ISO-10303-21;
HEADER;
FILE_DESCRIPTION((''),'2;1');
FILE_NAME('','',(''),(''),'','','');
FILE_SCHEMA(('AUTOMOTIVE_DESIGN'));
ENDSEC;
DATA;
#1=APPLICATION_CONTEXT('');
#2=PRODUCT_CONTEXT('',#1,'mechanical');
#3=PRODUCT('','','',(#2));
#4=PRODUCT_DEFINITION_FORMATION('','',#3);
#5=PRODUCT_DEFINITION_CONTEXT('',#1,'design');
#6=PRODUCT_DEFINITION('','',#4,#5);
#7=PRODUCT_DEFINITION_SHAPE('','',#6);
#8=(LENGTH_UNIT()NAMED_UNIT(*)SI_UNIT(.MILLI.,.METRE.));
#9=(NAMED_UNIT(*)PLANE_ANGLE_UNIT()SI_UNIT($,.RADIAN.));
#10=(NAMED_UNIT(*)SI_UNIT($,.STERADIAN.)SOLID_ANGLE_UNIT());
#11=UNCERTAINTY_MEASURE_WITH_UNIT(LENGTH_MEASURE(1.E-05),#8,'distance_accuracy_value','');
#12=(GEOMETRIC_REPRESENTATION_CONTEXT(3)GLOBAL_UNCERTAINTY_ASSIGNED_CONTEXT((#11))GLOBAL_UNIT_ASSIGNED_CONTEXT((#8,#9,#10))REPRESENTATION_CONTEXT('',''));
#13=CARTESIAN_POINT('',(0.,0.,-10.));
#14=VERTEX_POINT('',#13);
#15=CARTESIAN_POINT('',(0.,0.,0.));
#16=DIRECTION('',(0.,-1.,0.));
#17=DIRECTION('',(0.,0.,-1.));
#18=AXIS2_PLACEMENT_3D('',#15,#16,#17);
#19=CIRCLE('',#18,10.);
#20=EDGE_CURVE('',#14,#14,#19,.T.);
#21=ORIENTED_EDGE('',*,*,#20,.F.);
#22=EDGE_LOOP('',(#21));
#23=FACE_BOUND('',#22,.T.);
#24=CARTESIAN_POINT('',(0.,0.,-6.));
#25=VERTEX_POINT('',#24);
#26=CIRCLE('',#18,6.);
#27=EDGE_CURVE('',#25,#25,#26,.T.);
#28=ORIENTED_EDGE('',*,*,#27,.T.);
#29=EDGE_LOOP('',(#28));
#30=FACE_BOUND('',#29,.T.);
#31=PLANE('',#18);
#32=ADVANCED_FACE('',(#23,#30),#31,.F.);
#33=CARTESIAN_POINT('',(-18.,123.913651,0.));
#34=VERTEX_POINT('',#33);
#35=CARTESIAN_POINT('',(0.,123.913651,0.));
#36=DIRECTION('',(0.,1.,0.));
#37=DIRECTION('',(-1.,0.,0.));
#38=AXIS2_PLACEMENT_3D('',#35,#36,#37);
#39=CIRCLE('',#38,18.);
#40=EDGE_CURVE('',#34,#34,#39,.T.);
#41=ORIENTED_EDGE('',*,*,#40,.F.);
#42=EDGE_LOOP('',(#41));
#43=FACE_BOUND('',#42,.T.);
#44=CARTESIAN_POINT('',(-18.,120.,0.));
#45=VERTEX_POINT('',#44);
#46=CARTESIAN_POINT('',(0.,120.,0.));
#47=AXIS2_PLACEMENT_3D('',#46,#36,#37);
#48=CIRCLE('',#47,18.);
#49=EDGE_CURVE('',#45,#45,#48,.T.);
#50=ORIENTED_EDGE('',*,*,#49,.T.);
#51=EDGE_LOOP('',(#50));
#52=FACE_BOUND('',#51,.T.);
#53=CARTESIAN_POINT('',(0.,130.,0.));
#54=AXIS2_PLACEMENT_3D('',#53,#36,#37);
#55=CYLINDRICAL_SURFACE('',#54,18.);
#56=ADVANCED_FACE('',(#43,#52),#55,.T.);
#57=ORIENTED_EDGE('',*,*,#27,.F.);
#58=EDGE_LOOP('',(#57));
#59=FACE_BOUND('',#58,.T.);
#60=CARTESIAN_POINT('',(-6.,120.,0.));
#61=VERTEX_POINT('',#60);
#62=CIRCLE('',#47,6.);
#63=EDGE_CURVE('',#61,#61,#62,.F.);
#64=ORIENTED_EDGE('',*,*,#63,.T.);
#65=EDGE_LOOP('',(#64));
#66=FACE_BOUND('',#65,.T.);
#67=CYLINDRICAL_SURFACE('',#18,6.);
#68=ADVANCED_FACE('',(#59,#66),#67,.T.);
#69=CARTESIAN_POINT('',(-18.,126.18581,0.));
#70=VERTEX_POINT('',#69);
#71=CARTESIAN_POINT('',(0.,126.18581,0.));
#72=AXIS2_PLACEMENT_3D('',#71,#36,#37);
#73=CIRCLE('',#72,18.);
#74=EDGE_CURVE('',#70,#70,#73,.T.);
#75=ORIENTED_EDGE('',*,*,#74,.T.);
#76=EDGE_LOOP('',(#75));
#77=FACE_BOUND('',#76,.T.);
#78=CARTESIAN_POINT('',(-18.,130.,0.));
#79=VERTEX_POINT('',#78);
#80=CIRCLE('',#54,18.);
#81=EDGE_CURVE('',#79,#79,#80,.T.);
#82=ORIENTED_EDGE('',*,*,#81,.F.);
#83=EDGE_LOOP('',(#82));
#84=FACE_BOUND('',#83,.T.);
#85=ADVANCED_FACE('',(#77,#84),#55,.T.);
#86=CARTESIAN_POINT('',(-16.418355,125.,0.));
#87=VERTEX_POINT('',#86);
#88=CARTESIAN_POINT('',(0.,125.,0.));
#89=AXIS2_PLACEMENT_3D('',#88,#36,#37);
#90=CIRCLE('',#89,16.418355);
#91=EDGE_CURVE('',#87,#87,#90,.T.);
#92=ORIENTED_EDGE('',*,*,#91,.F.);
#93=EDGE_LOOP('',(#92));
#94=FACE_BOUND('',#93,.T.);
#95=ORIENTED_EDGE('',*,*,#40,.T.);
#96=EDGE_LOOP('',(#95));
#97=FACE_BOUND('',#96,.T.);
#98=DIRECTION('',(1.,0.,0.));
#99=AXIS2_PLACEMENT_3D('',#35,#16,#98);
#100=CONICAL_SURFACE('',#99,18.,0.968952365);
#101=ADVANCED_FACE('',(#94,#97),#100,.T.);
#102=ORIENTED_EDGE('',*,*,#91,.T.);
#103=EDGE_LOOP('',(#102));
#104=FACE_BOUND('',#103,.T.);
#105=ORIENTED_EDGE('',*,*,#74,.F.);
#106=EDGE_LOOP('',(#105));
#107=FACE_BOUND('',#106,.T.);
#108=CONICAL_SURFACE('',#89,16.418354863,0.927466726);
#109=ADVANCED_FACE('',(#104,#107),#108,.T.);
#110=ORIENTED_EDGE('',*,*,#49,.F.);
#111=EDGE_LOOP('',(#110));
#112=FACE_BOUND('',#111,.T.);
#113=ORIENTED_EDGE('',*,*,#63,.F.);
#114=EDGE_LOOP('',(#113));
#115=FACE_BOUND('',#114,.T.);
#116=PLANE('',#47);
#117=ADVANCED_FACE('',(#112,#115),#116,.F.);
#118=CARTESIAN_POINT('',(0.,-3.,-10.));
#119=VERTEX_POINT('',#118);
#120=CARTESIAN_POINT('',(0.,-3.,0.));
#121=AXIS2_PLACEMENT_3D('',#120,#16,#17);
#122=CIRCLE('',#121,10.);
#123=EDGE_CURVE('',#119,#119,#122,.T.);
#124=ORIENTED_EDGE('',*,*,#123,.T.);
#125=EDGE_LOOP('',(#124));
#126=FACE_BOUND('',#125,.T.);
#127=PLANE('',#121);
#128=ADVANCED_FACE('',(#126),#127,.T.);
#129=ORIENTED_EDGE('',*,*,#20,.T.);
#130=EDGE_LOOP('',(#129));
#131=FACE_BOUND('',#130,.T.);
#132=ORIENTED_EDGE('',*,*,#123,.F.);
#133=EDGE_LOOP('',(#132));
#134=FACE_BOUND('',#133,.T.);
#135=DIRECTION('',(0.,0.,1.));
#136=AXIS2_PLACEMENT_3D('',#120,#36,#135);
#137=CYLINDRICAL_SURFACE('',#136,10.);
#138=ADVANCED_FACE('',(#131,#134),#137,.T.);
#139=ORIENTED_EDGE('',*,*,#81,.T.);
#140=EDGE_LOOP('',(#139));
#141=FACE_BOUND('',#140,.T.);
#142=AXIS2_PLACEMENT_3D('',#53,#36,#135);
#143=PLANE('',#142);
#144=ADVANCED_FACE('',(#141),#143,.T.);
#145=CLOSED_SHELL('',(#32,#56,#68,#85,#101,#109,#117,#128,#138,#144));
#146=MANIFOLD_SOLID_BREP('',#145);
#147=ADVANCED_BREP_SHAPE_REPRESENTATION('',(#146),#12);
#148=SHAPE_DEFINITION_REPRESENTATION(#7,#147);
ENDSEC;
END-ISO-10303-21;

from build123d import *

# Parameters (mm, degrees)
SKETCH3_R           = 10
BOSS_EXTRUDE1_DEPTH = 3


with BuildPart() as part:
    # Sketch1 → Revolve1 (revolve)
    with BuildSketch(Plane.XY, mode=Mode.PRIVATE) as revolve1_sk:
        Polygon((0, 0), (0, 130), (6, 130), (6, 122.525384953), (6, 0), align=None)
    revolve(revolve1_sk.sketch.rotate(Axis((0, 0, 0), (0, 1, 0)), 90), axis=Axis((0, 0, 0), (0, 1, 0)))

    # Sketch2 → Revolve2 (revolve)
    with BuildSketch(Plane.XY, mode=Mode.PRIVATE) as revolve2_sk:
        Polygon((0, 130), (18, 130), (18, 126.185810056), (16.418354863, 125), (18, 123.913651393), (18, 120), (0, 120), align=None)
    revolve(revolve2_sk.sketch.rotate(Axis((0, 130, 0), (0, -1, 0)), 180), axis=Axis((0, 130, 0), (0, -1, 0)))

    # Sketch3 → Boss-Extrude1 (add)
    with BuildSketch(Plane.XZ):
        with Locations(Location((0, 0, 0), (0, 0, 270))):
            Circle(SKETCH3_R)
    extrude(amount=BOSS_EXTRUDE1_DEPTH)


solid = part.part
